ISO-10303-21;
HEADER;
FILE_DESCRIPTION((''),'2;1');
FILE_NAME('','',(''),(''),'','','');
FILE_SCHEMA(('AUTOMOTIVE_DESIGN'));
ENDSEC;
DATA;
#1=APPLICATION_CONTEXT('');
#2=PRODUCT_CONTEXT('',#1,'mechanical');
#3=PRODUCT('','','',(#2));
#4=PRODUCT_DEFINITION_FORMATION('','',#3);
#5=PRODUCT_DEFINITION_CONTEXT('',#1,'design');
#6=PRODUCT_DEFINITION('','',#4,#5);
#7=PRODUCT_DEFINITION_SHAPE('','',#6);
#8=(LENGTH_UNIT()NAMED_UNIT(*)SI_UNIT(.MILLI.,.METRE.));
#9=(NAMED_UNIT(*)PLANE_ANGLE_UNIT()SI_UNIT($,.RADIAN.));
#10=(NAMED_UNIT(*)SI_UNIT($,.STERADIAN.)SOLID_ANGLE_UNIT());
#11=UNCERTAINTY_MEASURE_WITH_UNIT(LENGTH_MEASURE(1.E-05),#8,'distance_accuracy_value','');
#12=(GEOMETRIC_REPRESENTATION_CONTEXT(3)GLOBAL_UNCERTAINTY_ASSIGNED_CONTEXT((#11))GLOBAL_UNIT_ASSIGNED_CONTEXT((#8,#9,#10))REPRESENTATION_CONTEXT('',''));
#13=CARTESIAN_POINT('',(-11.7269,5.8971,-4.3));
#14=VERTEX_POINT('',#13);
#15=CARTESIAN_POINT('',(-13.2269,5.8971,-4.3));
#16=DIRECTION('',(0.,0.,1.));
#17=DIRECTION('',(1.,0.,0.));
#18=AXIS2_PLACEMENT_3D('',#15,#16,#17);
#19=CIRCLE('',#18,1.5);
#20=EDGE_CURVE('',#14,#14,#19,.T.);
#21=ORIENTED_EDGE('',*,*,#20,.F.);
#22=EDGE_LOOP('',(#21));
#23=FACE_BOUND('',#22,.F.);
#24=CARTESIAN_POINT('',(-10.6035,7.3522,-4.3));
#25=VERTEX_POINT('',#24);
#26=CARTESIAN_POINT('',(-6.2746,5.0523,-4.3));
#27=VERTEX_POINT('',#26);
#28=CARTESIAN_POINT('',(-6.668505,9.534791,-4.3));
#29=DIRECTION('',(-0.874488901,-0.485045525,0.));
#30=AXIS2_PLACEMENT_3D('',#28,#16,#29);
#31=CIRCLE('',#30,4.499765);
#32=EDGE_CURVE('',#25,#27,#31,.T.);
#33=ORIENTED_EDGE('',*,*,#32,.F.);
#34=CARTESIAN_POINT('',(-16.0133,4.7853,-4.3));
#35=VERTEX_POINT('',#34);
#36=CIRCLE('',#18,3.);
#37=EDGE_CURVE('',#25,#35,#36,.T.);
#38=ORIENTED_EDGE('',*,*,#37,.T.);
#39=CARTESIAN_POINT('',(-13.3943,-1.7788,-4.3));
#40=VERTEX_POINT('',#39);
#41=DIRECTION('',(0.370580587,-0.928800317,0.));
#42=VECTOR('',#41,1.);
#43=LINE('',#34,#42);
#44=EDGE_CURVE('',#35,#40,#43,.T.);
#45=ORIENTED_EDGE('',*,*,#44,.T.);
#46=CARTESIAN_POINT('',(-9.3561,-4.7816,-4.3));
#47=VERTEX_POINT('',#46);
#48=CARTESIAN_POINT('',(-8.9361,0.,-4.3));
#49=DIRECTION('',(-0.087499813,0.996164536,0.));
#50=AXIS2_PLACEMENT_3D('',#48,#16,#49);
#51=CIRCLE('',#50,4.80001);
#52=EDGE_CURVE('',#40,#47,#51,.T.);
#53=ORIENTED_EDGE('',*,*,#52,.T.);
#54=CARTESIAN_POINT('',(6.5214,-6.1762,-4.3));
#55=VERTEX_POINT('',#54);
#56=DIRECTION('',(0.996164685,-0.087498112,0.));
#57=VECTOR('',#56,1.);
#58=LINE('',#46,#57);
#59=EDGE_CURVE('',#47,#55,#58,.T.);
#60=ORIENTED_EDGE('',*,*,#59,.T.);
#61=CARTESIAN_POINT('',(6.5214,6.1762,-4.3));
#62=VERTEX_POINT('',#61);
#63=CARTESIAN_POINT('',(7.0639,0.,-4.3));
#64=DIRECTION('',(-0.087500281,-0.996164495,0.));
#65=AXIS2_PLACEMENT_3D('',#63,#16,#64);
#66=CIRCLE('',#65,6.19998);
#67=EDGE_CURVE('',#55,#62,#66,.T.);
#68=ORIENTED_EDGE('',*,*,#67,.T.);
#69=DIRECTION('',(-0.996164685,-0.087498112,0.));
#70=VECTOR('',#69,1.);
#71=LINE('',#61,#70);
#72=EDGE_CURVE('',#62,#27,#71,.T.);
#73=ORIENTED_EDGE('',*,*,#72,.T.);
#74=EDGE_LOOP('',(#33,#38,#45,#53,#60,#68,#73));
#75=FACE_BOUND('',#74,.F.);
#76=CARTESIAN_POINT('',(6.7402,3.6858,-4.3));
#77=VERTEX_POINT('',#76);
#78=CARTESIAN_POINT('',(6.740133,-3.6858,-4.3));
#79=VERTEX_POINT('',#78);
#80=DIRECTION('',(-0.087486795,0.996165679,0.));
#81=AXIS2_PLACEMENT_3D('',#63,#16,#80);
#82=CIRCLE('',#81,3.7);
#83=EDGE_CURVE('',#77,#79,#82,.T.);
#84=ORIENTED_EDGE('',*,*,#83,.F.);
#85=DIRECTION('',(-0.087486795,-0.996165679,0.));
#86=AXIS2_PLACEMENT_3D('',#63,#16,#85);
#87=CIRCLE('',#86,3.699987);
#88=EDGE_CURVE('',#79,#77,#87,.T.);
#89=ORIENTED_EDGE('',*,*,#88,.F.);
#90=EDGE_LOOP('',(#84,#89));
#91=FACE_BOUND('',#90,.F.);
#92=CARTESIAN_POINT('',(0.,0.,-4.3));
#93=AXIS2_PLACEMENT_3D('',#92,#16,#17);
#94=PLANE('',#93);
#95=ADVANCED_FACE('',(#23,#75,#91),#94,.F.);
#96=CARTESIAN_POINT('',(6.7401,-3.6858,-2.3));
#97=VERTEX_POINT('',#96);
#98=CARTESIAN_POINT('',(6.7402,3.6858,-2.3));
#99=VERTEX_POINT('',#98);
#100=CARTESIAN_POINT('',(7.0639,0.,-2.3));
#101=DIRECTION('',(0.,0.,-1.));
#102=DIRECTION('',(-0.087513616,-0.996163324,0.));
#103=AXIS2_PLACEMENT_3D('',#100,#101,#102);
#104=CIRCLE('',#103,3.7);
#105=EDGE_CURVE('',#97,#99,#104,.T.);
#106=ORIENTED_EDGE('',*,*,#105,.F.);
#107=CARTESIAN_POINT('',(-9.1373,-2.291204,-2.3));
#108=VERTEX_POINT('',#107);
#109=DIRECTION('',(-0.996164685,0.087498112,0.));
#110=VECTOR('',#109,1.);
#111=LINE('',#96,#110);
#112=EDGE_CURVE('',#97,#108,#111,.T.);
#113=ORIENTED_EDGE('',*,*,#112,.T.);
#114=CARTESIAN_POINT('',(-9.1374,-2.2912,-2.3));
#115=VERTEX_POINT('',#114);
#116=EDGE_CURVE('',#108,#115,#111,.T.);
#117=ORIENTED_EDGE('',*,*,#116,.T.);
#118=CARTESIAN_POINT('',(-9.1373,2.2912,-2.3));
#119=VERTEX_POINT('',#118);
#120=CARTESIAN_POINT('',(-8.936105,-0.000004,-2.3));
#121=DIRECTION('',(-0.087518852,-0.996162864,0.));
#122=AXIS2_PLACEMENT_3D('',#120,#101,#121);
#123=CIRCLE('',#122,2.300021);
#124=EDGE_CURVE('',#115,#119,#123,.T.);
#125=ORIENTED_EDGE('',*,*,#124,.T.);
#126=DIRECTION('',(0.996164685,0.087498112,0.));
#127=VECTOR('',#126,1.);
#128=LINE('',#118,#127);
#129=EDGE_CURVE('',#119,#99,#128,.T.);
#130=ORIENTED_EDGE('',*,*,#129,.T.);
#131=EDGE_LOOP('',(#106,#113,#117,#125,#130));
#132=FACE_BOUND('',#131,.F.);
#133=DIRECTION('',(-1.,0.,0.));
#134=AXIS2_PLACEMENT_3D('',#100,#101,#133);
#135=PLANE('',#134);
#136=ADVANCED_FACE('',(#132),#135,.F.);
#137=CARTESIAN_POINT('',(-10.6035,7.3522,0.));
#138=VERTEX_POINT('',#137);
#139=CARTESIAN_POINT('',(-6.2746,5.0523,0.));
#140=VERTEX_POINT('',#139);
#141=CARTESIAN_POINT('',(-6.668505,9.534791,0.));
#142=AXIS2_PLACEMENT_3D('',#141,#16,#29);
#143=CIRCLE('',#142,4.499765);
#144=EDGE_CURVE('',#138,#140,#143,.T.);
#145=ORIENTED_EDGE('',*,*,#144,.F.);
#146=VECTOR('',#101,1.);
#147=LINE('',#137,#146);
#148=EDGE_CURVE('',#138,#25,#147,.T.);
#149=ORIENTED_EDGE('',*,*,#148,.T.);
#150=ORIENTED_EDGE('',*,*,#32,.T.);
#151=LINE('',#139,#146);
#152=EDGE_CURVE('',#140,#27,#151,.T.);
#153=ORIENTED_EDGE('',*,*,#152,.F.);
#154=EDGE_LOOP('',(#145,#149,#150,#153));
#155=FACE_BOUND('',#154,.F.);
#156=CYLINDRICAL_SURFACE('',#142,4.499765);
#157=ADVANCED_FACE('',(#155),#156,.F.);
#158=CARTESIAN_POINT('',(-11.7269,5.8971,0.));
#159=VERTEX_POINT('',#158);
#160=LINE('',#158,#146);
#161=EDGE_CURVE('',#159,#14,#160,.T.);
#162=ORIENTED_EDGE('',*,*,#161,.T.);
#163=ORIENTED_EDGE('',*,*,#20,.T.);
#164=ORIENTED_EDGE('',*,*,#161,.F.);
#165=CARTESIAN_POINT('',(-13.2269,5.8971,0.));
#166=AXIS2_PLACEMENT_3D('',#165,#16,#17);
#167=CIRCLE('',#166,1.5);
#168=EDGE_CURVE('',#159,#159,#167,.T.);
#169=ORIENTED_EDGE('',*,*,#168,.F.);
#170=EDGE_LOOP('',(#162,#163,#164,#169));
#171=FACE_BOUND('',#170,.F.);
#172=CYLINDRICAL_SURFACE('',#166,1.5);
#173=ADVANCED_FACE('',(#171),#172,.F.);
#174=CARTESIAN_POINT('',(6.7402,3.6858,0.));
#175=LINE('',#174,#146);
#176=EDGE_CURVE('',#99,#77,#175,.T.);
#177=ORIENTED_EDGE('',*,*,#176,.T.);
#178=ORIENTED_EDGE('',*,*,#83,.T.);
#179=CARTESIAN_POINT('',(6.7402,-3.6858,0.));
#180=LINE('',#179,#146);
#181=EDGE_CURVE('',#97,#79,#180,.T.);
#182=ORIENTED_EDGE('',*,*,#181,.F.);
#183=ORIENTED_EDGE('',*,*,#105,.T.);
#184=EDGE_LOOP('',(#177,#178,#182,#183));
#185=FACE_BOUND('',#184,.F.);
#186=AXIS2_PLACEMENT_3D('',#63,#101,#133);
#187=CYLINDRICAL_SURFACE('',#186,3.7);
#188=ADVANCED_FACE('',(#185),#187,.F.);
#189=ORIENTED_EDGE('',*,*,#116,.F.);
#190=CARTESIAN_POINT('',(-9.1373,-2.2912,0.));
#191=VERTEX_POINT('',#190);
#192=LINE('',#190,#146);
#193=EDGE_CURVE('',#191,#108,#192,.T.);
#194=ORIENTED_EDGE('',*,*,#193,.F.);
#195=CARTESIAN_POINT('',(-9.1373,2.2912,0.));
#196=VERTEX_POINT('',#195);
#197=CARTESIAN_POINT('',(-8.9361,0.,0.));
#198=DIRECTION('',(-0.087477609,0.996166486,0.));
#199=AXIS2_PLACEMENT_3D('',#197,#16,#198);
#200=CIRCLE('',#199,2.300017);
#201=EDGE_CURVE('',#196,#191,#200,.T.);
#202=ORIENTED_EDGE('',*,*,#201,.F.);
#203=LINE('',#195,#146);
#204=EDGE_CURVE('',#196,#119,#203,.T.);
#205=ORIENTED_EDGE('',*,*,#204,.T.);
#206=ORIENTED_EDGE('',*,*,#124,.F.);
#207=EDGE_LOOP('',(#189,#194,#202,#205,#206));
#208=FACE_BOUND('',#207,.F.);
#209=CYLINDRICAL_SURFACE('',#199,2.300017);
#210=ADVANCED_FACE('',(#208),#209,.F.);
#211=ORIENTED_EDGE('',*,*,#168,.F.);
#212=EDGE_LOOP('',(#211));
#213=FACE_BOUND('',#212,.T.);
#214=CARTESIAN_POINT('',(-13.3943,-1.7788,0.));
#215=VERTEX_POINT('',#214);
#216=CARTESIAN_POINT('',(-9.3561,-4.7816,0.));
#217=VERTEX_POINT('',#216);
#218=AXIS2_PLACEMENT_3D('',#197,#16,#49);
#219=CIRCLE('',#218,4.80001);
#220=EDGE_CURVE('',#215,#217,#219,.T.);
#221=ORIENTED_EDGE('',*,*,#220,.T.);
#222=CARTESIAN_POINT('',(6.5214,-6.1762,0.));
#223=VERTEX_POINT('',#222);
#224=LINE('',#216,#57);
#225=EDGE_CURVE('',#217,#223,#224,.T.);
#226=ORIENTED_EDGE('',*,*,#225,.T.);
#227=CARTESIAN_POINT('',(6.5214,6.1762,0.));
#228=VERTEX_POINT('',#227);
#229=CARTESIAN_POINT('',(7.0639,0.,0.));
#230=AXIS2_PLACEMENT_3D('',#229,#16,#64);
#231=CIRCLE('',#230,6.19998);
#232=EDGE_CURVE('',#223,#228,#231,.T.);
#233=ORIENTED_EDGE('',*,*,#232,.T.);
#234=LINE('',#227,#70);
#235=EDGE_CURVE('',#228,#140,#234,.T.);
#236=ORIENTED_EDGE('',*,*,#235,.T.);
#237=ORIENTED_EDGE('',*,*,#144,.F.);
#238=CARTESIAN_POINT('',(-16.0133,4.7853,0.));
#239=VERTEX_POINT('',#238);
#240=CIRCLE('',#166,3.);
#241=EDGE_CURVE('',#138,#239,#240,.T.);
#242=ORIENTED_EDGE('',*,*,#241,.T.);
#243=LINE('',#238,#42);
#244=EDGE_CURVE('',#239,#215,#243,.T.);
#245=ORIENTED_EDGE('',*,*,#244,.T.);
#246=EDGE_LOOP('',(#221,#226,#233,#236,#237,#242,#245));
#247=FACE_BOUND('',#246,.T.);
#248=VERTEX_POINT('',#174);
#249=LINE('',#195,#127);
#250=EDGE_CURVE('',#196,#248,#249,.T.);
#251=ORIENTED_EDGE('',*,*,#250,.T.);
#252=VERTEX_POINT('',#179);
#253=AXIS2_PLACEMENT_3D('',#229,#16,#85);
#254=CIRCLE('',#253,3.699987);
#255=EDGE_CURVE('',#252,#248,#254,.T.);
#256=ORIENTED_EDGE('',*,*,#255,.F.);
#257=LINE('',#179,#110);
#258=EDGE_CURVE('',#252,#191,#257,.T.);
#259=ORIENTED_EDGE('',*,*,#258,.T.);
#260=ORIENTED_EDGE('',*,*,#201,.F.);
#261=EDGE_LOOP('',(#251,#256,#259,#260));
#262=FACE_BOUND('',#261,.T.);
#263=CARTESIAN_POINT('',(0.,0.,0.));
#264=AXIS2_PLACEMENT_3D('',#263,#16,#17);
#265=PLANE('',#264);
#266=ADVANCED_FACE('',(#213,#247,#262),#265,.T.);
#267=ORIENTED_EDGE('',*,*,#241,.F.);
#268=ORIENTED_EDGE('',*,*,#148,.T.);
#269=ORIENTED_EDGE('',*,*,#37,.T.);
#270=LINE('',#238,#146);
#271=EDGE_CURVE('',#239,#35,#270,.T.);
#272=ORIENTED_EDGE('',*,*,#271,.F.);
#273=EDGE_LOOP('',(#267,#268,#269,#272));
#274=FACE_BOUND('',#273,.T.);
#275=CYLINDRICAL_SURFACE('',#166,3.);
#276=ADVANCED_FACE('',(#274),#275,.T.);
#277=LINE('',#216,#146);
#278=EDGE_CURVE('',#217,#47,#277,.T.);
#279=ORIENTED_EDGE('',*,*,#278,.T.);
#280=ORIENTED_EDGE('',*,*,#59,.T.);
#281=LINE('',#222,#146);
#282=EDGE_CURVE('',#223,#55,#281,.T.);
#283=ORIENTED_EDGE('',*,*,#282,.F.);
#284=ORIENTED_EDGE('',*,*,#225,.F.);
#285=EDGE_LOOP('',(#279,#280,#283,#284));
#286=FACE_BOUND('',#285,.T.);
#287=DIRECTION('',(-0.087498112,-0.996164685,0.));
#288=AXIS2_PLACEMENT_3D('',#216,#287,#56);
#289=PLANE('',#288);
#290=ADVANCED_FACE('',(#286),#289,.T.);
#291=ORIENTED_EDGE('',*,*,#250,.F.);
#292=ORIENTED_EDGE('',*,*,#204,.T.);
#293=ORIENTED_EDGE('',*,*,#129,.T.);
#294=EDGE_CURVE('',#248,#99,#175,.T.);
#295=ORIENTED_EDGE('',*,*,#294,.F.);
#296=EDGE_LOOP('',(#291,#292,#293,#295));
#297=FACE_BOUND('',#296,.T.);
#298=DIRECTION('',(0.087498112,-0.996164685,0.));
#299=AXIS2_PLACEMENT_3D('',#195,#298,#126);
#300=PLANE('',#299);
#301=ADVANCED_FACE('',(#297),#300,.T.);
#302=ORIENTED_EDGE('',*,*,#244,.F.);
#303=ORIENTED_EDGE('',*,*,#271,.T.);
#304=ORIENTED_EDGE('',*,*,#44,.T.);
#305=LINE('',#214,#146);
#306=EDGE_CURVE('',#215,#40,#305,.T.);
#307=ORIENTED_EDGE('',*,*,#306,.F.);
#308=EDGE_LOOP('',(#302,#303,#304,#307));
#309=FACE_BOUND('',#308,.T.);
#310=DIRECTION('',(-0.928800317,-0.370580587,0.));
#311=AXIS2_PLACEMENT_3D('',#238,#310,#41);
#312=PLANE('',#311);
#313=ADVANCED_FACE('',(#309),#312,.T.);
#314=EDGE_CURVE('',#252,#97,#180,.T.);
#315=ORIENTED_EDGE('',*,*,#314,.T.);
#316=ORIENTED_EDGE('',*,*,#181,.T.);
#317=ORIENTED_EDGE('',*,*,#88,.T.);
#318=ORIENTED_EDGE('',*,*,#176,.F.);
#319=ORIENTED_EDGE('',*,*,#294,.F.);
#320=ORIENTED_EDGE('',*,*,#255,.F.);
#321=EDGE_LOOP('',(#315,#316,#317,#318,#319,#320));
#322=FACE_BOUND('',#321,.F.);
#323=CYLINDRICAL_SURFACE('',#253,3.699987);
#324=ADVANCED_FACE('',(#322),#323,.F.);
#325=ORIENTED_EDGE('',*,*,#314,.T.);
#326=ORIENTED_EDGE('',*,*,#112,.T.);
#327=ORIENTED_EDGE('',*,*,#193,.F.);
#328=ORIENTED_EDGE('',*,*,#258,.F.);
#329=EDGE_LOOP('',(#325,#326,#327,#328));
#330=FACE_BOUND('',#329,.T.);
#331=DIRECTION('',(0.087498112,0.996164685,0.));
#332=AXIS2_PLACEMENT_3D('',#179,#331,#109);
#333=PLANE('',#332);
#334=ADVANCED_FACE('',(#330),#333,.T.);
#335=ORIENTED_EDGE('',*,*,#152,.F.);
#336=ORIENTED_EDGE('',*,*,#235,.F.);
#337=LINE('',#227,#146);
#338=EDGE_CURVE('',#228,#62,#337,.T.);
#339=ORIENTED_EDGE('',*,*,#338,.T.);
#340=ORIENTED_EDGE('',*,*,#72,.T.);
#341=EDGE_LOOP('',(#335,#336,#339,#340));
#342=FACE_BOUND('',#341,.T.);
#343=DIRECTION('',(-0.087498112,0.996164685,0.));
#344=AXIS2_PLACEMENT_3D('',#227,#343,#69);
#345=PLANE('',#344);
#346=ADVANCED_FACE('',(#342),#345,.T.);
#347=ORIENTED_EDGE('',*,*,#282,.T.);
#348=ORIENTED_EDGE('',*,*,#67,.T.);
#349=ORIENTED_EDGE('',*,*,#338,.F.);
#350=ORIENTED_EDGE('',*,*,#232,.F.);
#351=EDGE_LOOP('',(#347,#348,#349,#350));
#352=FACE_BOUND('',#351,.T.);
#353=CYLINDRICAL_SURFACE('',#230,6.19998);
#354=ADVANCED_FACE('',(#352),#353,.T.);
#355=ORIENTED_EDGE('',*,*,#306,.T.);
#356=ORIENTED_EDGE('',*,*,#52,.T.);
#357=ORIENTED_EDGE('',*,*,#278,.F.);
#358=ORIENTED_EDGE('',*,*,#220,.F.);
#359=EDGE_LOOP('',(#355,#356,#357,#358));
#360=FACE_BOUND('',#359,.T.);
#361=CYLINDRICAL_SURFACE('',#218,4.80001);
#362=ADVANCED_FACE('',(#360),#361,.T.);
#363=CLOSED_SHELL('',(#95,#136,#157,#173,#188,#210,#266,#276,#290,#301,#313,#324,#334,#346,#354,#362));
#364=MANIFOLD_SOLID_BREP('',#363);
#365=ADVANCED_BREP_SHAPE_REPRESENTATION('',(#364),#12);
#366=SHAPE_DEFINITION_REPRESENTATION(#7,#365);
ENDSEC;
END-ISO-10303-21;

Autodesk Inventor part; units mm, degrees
ref_plane "YZ Plane" through (0, 0, 0) normal (1, 0, 0) x (0, 1, 0)
ref_plane "XZ Plane" through (0, 0, 0) normal (0, 1, 0) x (-1, 0, 0)
sketch "Sketch1" plane through (0, 0, 0) normal (0, 0, 1) x (1, 0, 0)
  line L0 (6.7664, -3.387) -> (-9.1111, -1.9923) projected
  line L1 (6.7664, 3.387) -> (-9.1111, 1.9923) projected
  arc A0 (-9.1111, 1.9923) -> (-9.1111, -1.9923) centre (-8.9361, 0) ccw projected
  circle A1 centre (-5.2361, 0) radius 0.5 projected
  circle A2 centre (-7.1361, 0) radius 0.5 projected
  circle A3 centre (-9.0361, 0) radius 0.5 projected
  circle A4 centre (2.3639, 0) radius 0.5 projected
  circle A5 centre (0.4639, 0) radius 0.5 projected
  circle A6 centre (-1.4361, 0) radius 0.5 projected
  circle A7 centre (-3.3361, 0) radius 0.5 projected
  arc A8 (6.7664, -3.387) -> (6.7664, 3.387) centre (7.0639, 0) ccw
  line L2 (-9.1373, 2.2912) -> (6.7402, 3.6858)
  arc A9 (6.7402, -3.6858) -> (6.7402, 3.6858) centre (7.0639, 0) ccw
  line L3 (6.7402, -3.6858) -> (-9.1373, -2.2912)
  arc A10 (-9.1373, 2.2912) -> (-9.1373, -2.2912) centre (-8.9361, 0) ccw
  line L4 (6.5214, 6.1762) -> (-9.3561, 4.7816)
  arc A11 (-9.3561, 4.7816) -> (-9.3561, -4.7816) centre (-8.9361, 0) ccw
  line L5 (-9.3561, -4.7816) -> (6.5214, -6.1762)
  arc A12 (6.5214, -6.1762) -> (6.5214, 6.1762) centre (7.0639, 0) ccw
  point P0 (0, 0)
  dimension "d0" = 0.3
  dimension "d1" = 2.5
ref_plane "Work Plane1" through (3.5948, -3.4691, -4.3) normal (0, 0, -1) x (0, 1, 0)
extrude "Extrusion1" add sketch "Sketch1" against normal up to surface (4.3 mm away) contours A12 L5 A11 L4
sketch "Sketch2" plane through (7.0639, 0, -4.3) normal (0, 0, -1) x (-1, 0, 0)
  line L0 (0.3238, -3.6858) -> (16.2013, -2.2912) projected
  arc A0 (16.2013, -2.2912) -> (16.2012, 2.2912) centre (16, 0) ccw projected
  line L1 (16.2012, 2.2912) -> (0.3237, 3.6858) projected
  arc A1 (0.2975, -3.387) -> (0.2975, 3.387) centre (0, 0) ccw projected
  circle A2 centre (0, 0) radius 3.7
  point P0 (7.0639, 0)
  point P1 (0.3237, 3.6858)
extrude "Extrusion2" add sketch "Sketch2" against normal blind 2 contours A2 L1 A0 L0
sketch "Sketch6" plane through (0, 0, 0) normal (0, 0, 1) x (1, 0, 0)
  circle A0 centre (-13.2269, 5.8971) radius 0.5
  circle A1 centre (-13.2269, 5.8971) radius 1.5
  arc A2 (-9.3561, 4.7816) -> (-9.3561, -4.7816) centre (-8.9361, 0) ccw projected
  line L0 (6.5214, 6.1762) -> (-9.3561, 4.7816) projected
  circle A3 centre (-13.2269, 5.8971) radius 3
  line L1 (-16.0133, 4.7853) -> (-13.3943, -1.7788)
  arc A4 (-10.6035, 7.3522) -> (-6.2746, 5.0523) centre (-6.6683, 9.535) ccw
  point P0 (0, 0)
  dimension "d10" = 3
  dimension "d11" = 6
  dimension "d12" = 9
extrude "Extrusion5" add sketch "Sketch6" against normal up to surface (4.3 mm away) contours A2 A3 A4 L0 | A2 A3 | A2 L1 A3 picked at (-12.6304, 3.6481)
properties part number "GripperLeft_3DPrint"
